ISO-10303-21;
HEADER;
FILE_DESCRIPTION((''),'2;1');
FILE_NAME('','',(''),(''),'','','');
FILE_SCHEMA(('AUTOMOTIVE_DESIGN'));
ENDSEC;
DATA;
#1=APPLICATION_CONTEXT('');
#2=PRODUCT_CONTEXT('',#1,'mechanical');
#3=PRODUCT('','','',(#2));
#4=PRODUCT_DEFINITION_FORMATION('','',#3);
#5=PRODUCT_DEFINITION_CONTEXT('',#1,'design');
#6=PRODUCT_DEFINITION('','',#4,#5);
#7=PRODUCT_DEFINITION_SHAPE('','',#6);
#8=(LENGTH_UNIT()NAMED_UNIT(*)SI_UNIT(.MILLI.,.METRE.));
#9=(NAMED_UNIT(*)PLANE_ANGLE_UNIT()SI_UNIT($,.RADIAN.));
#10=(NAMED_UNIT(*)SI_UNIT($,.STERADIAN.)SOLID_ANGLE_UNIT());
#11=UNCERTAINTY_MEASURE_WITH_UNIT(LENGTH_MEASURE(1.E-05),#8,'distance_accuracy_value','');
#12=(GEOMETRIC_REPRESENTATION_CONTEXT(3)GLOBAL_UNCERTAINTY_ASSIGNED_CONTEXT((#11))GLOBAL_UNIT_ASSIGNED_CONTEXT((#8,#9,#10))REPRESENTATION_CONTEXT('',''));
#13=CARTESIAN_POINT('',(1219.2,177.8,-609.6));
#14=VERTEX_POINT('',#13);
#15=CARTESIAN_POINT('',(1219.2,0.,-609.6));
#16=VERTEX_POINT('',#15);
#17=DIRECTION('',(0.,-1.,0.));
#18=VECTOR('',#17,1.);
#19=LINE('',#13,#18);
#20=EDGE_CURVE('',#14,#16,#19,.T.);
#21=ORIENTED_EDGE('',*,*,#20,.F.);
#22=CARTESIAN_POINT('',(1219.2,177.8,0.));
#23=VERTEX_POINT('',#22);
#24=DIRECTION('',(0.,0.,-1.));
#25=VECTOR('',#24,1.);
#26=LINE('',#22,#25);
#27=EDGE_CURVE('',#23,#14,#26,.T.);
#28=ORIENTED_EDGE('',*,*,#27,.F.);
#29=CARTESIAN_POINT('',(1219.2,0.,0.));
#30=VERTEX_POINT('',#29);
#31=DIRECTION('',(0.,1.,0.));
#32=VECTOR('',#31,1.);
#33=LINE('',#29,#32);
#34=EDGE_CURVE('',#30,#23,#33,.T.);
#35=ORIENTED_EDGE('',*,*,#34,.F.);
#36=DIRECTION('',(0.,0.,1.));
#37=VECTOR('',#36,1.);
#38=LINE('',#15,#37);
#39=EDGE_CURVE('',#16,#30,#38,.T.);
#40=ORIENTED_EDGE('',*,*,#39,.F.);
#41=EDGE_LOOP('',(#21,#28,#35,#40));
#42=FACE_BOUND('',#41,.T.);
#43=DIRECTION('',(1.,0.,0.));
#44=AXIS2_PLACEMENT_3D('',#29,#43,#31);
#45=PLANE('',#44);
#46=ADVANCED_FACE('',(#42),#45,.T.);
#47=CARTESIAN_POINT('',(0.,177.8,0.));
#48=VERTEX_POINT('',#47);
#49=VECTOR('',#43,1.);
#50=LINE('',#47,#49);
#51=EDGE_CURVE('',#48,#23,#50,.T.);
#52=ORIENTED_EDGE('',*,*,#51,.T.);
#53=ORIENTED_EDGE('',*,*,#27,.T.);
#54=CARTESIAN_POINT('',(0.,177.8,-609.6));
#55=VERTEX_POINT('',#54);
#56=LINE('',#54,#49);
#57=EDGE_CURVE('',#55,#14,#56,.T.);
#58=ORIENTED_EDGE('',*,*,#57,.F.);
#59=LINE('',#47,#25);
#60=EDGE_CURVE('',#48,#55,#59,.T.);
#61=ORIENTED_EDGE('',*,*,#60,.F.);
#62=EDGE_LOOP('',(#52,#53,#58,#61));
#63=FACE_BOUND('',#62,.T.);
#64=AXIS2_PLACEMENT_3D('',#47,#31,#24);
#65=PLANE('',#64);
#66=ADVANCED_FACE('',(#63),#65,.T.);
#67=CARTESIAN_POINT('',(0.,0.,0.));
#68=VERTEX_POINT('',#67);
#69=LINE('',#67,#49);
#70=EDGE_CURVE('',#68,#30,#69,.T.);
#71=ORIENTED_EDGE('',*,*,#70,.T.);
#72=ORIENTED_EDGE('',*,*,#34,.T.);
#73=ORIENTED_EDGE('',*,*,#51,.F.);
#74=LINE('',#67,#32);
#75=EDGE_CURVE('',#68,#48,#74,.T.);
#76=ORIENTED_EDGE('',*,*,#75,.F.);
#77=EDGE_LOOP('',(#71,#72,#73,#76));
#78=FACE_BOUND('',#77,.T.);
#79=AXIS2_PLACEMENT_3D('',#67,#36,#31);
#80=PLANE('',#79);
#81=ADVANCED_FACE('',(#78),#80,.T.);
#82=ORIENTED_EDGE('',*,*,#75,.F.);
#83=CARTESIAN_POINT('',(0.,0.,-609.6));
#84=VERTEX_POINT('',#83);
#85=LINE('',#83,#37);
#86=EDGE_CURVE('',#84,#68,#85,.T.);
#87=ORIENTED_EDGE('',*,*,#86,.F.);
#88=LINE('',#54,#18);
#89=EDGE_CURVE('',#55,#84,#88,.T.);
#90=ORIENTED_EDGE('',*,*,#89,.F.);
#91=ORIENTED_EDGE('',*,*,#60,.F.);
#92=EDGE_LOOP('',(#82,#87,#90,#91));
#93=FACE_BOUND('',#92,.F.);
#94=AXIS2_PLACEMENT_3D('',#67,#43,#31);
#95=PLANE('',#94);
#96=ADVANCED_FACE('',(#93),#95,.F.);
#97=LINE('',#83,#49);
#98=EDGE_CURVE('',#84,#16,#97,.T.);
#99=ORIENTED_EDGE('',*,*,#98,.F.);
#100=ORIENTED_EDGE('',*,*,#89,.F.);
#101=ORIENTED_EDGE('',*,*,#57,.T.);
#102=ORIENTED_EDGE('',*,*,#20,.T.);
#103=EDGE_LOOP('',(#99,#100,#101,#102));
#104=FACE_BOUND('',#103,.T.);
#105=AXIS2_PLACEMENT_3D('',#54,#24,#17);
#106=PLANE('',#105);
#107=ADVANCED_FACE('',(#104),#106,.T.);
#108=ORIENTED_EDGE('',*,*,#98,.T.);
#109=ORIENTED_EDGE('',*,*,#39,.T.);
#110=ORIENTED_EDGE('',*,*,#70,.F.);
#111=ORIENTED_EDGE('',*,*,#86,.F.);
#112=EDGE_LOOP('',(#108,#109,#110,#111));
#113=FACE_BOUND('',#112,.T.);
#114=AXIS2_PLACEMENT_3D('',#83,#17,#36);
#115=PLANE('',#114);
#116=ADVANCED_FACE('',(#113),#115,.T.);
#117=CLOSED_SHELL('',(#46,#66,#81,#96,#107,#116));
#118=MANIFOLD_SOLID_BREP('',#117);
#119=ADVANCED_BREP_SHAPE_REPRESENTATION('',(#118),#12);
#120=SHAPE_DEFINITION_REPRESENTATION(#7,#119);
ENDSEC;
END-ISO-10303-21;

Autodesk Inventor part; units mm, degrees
ref_plane "YZ Plane" through (0, 0, 0) normal (1, 0, 0) x (0, 1, 0)
ref_plane "XZ Plane" through (0, 0, 0) normal (0, 1, 0) x (-1, 0, 0)
ref_plane "XY Plane" through (0, 0, 0) normal (0, 0, 1) x (1, 0, 0)
sketch "Sketch1" plane through (0, 0, 0) normal (1, 0, 0) x (0, 1, 0)
  line L0 (0, 0) -> (177.8, 0)
  line L1 (177.8, 0) -> (177.8, -609.6)
  line L2 (177.8, -609.6) -> (0, -609.6)
  line L3 (0, -609.6) -> (0, 0)
  dimension "d0" = 177.8
  dimension "d1" = 609.6
extrude "Extrusion1" add sketch "Sketch1" along normal blind 1219.2
properties part number "Step" material "Granite, Cut, Polished"
